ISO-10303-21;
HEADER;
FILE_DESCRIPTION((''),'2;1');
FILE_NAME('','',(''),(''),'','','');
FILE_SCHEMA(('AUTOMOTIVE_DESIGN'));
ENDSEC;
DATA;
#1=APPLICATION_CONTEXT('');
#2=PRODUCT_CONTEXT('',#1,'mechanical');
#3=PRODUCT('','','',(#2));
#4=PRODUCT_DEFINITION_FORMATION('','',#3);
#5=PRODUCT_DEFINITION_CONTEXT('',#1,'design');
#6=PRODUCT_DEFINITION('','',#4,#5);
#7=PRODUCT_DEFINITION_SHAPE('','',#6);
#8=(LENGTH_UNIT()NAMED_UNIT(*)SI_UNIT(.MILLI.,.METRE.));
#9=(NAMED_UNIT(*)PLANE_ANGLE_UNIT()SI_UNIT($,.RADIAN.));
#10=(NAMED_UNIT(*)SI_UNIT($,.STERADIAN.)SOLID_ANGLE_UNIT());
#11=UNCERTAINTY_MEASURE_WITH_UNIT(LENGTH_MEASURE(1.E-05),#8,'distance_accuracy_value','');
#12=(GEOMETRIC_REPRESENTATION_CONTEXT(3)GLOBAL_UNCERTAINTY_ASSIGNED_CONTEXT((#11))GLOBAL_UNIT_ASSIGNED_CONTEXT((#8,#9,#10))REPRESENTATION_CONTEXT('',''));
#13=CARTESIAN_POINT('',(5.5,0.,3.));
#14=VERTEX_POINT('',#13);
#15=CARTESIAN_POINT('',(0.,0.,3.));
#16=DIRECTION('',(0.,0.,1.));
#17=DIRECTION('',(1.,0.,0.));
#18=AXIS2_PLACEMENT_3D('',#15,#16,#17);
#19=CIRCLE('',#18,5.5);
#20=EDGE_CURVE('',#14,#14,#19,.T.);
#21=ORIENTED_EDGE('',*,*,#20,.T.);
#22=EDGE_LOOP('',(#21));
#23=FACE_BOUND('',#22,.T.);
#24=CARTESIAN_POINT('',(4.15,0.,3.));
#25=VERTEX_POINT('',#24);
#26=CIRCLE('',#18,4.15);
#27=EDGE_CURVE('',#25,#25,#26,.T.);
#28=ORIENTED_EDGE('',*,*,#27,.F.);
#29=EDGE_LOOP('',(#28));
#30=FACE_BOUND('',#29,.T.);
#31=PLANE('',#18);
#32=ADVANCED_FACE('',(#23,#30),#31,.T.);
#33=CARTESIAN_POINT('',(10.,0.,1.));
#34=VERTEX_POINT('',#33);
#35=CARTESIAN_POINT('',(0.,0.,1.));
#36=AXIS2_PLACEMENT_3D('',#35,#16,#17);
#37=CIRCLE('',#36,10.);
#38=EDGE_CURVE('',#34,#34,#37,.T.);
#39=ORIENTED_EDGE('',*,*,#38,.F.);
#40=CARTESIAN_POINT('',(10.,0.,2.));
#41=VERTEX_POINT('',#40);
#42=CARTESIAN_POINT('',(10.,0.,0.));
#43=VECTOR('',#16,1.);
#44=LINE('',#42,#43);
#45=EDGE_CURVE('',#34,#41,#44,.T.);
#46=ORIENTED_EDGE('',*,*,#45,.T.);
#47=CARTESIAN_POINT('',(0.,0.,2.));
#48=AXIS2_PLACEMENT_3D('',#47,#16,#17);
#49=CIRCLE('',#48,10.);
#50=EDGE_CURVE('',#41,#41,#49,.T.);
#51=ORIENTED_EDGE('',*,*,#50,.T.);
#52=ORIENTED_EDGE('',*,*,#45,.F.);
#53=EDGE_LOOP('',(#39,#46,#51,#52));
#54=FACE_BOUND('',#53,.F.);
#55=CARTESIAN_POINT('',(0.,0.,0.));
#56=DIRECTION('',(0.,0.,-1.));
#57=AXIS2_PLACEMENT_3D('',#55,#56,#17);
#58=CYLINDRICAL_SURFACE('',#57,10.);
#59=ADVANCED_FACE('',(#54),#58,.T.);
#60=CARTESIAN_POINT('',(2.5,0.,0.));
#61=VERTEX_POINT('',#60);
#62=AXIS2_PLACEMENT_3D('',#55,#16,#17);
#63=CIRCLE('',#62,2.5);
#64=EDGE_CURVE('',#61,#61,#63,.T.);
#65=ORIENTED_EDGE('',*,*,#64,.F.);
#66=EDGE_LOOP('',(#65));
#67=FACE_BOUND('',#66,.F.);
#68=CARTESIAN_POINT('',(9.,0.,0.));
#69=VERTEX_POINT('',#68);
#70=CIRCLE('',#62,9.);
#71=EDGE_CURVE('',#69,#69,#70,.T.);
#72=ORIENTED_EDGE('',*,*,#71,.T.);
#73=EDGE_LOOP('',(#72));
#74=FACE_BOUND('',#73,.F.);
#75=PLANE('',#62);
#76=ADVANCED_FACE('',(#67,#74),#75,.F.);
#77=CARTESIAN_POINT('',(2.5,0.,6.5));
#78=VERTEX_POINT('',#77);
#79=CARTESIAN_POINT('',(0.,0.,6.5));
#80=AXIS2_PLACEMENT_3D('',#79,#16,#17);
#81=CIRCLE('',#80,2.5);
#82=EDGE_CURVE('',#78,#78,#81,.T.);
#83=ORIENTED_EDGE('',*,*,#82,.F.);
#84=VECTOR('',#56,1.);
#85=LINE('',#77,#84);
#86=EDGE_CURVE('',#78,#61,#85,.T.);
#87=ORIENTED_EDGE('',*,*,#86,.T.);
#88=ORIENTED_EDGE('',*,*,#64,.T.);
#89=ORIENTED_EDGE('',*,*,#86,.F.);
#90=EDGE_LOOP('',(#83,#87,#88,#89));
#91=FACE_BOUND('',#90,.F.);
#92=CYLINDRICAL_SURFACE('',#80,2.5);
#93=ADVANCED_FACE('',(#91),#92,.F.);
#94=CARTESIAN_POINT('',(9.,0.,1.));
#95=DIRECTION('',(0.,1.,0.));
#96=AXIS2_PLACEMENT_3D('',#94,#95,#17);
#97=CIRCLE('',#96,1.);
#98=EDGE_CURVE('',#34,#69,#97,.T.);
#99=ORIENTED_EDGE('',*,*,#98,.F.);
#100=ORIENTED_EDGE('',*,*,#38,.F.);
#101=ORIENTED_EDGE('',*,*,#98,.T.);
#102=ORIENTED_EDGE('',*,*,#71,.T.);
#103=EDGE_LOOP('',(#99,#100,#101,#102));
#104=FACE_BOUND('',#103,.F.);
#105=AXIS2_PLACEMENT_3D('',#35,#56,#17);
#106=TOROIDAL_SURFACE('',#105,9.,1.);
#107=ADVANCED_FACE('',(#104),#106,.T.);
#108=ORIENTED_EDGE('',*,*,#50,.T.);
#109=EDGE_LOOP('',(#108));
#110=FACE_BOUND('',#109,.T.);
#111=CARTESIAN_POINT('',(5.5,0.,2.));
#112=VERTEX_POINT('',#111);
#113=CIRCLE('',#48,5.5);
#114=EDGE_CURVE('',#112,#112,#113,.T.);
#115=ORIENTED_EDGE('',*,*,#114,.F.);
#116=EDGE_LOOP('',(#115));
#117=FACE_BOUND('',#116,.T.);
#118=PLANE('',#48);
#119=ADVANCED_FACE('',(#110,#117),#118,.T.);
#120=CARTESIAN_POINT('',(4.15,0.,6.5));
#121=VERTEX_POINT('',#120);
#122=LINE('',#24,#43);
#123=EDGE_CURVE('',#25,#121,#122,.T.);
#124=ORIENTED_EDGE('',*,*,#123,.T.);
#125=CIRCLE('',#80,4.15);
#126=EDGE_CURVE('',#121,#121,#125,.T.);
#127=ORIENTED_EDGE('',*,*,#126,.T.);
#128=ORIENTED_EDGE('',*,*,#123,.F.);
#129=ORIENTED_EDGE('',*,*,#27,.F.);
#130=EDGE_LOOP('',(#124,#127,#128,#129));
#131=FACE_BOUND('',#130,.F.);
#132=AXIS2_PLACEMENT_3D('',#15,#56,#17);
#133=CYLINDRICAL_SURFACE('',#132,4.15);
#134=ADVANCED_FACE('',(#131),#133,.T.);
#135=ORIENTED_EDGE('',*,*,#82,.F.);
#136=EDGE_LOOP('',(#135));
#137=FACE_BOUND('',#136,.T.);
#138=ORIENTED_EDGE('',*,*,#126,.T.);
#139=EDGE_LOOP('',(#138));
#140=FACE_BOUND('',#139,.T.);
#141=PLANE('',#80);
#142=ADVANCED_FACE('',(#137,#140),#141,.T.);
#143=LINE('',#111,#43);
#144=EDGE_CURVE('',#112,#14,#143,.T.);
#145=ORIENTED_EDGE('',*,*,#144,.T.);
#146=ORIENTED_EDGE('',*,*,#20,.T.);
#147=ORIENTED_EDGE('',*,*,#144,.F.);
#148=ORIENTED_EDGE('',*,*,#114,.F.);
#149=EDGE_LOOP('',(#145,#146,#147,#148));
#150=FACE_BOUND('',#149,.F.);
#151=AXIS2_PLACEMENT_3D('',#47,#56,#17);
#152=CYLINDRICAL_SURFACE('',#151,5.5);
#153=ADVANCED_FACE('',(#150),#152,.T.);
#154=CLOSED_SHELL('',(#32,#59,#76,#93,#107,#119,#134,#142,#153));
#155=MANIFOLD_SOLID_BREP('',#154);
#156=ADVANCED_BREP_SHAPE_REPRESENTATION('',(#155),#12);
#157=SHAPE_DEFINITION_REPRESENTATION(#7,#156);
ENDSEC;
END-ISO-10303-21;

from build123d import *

# Parameters (mm, degrees)
F0_R     = 10
F1_DEPTH = 2
F2_R     = 5.5
F3_DEPTH = 1
F4_R     = 4.15
F5_DEPTH = 3.5
F6_R     = 2.5
F7_DEPTH = 10
F8_R     = 1


with BuildPart() as f1:
    # F0 (on Top) → F1 (new body)
    with BuildSketch(Plane.XY):
        Circle(F0_R)
    extrude(amount=F1_DEPTH)

    # F2 (on face) → F3 (join)
    with BuildSketch(Plane.XY.offset(2)):
        Circle(F2_R)
    extrude(amount=F3_DEPTH)

    # F4 (on face) → F5 (join)
    with BuildSketch(Plane.XY.offset(3)):
        Circle(F4_R)
    extrude(amount=F5_DEPTH)

    # F6 (on face) → F7 (cut)
    with BuildSketch(Plane.XY.offset(6.5)):
        Circle(F6_R)
    extrude(amount=-F7_DEPTH, mode=Mode.SUBTRACT)

    # F8
    f8_edges = [f1.edges().sort_by_distance(p)[0] for p in [
        (-10, 0, 0),
    ]]
    fillet(f8_edges, radius=F8_R)


solid = f1.part
